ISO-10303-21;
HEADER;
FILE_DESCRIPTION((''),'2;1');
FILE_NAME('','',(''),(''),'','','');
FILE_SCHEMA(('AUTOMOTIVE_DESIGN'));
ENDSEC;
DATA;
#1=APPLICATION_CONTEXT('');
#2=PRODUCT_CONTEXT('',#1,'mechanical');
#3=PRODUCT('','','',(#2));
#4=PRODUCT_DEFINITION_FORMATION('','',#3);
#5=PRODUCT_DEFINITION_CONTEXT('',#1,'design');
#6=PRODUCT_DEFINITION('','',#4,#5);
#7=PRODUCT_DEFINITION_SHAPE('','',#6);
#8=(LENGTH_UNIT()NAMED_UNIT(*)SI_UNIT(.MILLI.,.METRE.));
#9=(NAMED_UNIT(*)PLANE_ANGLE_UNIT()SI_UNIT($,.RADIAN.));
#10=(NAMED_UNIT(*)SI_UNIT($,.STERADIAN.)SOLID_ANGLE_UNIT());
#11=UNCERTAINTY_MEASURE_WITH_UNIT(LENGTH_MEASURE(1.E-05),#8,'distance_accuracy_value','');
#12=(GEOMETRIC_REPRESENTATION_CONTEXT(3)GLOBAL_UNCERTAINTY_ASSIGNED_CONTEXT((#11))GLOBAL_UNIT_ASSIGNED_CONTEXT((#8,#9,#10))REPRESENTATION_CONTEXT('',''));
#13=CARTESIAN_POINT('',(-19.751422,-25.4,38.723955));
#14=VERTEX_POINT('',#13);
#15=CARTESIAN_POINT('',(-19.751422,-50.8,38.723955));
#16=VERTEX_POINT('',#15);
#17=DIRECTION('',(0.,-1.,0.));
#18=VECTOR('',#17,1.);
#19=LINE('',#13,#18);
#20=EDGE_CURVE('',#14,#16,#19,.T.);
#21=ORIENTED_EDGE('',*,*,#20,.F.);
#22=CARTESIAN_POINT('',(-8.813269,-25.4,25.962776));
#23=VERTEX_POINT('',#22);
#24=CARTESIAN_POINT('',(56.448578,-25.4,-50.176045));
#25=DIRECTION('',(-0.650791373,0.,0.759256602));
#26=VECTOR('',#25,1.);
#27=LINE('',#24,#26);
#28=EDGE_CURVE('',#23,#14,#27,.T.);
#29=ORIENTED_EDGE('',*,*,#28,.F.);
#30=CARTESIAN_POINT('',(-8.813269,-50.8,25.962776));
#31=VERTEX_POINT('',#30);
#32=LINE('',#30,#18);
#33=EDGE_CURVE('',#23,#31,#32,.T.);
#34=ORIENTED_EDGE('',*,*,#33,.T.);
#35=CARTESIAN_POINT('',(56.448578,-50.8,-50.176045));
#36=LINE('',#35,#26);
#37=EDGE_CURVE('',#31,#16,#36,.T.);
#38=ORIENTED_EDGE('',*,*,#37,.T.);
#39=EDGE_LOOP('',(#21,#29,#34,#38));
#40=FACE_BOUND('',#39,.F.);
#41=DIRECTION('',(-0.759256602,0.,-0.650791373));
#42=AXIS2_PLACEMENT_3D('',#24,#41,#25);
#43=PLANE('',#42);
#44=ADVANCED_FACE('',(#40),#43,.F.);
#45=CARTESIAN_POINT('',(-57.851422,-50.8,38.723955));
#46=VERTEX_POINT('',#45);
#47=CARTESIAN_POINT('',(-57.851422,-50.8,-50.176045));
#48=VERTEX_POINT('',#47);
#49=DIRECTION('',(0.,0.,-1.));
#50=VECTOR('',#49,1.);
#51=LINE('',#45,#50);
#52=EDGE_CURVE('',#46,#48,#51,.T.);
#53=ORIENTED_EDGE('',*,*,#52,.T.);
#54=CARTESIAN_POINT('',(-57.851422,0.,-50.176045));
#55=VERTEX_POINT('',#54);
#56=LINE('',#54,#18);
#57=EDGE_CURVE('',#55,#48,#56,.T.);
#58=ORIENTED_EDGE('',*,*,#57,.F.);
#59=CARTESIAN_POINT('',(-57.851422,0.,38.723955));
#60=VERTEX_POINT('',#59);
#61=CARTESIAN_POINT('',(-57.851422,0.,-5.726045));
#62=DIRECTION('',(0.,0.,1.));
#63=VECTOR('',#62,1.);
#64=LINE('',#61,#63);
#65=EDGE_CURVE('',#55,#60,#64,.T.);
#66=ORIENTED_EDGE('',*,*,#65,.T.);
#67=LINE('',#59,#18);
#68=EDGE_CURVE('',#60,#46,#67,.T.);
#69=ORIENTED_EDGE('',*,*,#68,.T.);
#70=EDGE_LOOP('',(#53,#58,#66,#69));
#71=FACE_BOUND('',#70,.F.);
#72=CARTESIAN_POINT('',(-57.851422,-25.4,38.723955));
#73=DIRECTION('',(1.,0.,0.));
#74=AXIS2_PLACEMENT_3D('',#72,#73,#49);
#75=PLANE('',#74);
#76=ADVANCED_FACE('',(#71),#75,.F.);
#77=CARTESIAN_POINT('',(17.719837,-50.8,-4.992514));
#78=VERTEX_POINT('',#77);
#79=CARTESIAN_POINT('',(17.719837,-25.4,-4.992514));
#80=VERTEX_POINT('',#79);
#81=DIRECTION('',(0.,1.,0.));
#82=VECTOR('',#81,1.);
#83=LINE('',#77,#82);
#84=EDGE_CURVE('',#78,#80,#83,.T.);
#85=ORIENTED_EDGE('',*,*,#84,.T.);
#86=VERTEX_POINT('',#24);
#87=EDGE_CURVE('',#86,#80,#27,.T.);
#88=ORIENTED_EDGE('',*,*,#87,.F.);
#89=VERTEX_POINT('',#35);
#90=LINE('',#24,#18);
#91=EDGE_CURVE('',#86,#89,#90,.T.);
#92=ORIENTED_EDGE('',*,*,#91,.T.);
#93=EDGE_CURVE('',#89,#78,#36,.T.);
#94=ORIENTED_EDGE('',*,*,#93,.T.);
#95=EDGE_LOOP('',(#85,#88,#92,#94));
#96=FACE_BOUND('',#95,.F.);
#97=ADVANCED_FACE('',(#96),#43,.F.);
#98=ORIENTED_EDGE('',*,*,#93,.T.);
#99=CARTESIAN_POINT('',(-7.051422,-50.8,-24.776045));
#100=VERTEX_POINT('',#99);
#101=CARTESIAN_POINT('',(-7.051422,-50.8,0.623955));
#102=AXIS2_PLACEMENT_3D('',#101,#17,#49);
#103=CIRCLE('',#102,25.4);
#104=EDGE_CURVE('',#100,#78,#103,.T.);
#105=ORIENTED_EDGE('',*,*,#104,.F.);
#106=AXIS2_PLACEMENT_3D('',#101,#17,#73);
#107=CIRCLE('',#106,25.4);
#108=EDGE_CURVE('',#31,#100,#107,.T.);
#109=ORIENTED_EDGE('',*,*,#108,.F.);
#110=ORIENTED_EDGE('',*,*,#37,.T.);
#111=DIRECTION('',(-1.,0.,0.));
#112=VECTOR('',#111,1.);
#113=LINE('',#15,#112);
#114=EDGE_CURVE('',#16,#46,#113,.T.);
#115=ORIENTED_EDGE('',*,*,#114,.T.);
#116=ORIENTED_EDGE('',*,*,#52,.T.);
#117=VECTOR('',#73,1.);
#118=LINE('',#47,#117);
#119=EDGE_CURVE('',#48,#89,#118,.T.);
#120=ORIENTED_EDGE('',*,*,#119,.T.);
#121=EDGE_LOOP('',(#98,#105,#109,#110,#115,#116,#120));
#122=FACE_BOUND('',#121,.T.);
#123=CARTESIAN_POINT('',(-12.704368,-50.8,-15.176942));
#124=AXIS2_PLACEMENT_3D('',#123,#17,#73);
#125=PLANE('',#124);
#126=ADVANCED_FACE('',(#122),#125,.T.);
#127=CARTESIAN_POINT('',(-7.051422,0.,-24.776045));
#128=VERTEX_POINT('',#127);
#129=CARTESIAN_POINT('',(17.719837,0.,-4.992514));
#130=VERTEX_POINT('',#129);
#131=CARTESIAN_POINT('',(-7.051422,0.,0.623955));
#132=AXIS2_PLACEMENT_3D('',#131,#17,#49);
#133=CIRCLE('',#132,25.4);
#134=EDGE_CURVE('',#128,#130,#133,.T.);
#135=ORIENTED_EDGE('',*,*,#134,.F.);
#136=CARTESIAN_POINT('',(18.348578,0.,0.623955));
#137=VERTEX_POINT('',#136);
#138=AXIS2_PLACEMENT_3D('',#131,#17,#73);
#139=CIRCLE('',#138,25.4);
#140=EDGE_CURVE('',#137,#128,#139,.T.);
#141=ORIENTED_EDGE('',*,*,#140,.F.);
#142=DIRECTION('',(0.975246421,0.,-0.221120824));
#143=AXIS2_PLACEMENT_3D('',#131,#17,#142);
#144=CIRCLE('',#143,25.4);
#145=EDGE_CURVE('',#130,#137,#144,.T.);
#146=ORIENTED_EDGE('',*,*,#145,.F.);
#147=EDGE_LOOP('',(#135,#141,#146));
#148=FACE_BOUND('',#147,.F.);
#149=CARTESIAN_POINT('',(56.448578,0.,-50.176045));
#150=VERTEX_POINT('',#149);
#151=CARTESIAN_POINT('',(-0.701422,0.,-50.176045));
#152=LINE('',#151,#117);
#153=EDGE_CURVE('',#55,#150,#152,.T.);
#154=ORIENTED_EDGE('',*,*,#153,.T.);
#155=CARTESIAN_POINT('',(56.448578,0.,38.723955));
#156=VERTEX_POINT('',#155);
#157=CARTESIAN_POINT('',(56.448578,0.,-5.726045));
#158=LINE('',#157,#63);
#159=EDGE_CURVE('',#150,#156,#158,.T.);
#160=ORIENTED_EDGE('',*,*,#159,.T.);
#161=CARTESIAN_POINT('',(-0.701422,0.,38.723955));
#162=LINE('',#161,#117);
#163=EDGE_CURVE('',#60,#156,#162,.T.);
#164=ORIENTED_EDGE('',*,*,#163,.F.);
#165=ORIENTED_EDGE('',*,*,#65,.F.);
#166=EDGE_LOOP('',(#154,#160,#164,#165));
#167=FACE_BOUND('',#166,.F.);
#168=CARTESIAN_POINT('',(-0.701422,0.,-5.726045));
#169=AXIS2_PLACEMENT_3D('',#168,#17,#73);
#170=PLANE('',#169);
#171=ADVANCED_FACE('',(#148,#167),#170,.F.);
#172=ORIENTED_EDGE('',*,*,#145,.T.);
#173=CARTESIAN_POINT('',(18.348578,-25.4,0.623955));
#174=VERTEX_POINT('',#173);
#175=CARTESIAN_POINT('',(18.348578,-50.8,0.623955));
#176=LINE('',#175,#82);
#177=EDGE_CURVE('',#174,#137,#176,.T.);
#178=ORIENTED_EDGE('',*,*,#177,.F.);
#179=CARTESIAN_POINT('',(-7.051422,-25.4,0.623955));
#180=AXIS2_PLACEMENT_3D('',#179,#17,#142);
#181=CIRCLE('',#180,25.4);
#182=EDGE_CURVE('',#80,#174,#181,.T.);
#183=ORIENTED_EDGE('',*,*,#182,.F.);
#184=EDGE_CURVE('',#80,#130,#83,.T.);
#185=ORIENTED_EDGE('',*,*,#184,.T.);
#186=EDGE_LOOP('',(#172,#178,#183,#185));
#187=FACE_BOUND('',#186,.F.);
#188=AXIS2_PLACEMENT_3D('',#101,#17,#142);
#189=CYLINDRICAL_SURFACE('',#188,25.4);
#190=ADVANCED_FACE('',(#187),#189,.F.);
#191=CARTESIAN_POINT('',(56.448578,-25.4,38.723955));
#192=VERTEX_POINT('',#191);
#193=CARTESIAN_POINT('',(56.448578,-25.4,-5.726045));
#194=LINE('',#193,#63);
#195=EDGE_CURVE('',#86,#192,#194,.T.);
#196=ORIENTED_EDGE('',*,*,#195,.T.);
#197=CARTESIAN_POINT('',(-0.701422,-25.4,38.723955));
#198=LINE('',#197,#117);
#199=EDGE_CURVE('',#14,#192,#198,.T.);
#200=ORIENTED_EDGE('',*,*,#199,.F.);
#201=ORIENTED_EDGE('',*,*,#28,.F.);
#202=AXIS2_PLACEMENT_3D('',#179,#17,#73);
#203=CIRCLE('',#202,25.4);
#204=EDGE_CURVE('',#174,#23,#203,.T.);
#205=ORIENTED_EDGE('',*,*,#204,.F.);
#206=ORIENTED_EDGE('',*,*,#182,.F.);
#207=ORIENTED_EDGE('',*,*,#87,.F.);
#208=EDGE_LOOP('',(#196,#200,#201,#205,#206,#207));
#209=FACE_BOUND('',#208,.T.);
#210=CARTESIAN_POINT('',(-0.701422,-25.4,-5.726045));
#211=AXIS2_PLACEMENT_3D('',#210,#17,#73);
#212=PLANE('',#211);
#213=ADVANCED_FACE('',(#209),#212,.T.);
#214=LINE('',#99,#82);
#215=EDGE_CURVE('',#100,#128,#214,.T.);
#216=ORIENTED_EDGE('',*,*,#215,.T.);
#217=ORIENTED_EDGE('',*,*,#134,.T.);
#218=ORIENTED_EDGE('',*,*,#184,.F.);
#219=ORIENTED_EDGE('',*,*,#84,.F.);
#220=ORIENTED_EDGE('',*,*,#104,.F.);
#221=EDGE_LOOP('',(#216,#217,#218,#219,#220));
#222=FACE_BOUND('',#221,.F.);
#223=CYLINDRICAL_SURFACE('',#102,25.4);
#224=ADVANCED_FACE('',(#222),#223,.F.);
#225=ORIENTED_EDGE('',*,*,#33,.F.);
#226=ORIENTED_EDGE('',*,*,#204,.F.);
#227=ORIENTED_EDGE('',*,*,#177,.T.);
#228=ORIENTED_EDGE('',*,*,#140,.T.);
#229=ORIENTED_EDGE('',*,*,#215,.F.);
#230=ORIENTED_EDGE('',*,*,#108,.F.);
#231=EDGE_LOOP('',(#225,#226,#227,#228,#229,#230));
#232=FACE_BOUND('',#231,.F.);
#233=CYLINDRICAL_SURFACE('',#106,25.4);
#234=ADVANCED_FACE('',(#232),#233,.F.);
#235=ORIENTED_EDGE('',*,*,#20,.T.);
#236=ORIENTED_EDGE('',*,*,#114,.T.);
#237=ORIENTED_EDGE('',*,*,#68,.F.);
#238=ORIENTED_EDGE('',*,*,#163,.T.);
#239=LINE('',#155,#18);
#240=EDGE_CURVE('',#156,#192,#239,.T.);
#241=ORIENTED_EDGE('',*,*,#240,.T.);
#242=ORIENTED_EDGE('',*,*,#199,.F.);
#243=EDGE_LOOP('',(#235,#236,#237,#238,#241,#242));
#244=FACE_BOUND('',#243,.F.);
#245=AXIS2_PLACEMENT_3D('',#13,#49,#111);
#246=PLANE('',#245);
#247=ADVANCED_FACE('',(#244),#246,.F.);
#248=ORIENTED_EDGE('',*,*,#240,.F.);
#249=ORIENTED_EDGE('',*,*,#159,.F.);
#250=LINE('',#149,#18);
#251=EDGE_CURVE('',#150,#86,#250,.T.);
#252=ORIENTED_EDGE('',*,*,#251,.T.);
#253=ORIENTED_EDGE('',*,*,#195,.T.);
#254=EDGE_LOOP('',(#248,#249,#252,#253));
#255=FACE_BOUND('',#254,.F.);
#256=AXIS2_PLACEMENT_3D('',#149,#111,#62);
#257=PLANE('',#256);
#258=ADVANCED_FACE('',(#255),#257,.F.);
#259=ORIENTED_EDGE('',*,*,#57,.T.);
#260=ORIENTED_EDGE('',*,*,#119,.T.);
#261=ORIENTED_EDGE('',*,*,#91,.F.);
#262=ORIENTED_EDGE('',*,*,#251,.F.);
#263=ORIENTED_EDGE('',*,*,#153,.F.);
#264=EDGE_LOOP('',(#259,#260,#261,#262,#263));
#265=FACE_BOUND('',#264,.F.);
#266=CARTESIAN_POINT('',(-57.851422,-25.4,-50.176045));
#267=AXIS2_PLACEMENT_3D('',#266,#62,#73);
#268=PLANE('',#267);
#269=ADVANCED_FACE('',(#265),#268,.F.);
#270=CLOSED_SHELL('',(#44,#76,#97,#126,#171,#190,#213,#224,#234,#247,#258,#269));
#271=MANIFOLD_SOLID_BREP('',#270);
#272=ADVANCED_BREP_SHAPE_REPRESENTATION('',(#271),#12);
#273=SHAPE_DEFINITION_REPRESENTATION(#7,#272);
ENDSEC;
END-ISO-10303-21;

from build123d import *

# Parameters (mm, degrees)
F0_W     = 114.3
F0_H     = 88.9
F1_DEPTH = 25.4
F3_DEPTH = 25.4
F5_DEPTH = 50.8


with BuildPart() as f1:
    # F0 (on Front) → F1 (new body)
    with BuildSketch(Plane.XZ):
        with Locations((-0.7014218356, -5.7260454797)):
            Rectangle(F0_W, F0_H)
    extrude(amount=F1_DEPTH)

    # F2 (on face) → F3 (join)
    with BuildSketch(Plane.XZ.offset(25.4)):
        Polygon((-19.7514218356, 38.7239545203), (-57.8514218356, 38.7239545203), (-57.8514218356, -50.1760454797), (56.4485781644, -50.1760454797), align=None)
    extrude(amount=F3_DEPTH)

    # F4 (on face) → F5 (cut)
    with BuildSketch(Plane.XZ.offset(50.8)):
        with BuildLine():
            ThreePointArc((-8.8132691571, 25.9627763954), (-25.6243984679, 17.9503661228), (-32.4514218356, 0.6239545203))
            Line((-32.4514218356, 0.6239545203), (-7.0514218356, 0.6239545203))
            Line((-7.0514218356, 0.6239545203), (-7.0514218356, 23.9072878537))
            Line((-7.0514218356, 23.9072878537), (-8.8132691571, 25.9627763954))
        make_face()
        with BuildLine():
            ThreePointArc((-32.4514218356, 0.6239545203), (-25.0119340777, -17.3365577218), (-7.0514218356, -24.7760454797))
            Line((-7.0514218356, -24.7760454797), (-7.0514218356, 0.6239545203))
            Line((-7.0514218356, 0.6239545203), (-32.4514218356, 0.6239545203))
        make_face()
        with BuildLine():
            Line((-7.0514218356, 0.6239545203), (-7.0514218356, -24.7760454797))
            ThreePointArc((-7.0514218356, -24.7760454797), (8.7994722887, -19.2231902481), (17.7198372506, -4.9925144135))
            Line((17.7198372506, -4.9925144135), (-7.0514218356, 23.9072878537))
            Line((-7.0514218356, 23.9072878537), (-7.0514218356, 0.6239545203))
        make_face()
        with BuildLine():
            Line((-7.0514218356, 23.9072878537), (17.7198372506, -4.9925144135))
            ThreePointArc((17.7198372506, -4.9925144135), (18.1909035405, -2.2018214095), (18.3485781644, 0.6239545203))
            ThreePointArc((18.3485781644, 0.6239545203), (10.2749897668, 19.1969311526), (-8.8132691571, 25.9627763954))
            Line((-8.8132691571, 25.9627763954), (-7.0514218356, 23.9072878537))
        make_face()
    extrude(amount=-F5_DEPTH, mode=Mode.SUBTRACT)


solid = f1.part
